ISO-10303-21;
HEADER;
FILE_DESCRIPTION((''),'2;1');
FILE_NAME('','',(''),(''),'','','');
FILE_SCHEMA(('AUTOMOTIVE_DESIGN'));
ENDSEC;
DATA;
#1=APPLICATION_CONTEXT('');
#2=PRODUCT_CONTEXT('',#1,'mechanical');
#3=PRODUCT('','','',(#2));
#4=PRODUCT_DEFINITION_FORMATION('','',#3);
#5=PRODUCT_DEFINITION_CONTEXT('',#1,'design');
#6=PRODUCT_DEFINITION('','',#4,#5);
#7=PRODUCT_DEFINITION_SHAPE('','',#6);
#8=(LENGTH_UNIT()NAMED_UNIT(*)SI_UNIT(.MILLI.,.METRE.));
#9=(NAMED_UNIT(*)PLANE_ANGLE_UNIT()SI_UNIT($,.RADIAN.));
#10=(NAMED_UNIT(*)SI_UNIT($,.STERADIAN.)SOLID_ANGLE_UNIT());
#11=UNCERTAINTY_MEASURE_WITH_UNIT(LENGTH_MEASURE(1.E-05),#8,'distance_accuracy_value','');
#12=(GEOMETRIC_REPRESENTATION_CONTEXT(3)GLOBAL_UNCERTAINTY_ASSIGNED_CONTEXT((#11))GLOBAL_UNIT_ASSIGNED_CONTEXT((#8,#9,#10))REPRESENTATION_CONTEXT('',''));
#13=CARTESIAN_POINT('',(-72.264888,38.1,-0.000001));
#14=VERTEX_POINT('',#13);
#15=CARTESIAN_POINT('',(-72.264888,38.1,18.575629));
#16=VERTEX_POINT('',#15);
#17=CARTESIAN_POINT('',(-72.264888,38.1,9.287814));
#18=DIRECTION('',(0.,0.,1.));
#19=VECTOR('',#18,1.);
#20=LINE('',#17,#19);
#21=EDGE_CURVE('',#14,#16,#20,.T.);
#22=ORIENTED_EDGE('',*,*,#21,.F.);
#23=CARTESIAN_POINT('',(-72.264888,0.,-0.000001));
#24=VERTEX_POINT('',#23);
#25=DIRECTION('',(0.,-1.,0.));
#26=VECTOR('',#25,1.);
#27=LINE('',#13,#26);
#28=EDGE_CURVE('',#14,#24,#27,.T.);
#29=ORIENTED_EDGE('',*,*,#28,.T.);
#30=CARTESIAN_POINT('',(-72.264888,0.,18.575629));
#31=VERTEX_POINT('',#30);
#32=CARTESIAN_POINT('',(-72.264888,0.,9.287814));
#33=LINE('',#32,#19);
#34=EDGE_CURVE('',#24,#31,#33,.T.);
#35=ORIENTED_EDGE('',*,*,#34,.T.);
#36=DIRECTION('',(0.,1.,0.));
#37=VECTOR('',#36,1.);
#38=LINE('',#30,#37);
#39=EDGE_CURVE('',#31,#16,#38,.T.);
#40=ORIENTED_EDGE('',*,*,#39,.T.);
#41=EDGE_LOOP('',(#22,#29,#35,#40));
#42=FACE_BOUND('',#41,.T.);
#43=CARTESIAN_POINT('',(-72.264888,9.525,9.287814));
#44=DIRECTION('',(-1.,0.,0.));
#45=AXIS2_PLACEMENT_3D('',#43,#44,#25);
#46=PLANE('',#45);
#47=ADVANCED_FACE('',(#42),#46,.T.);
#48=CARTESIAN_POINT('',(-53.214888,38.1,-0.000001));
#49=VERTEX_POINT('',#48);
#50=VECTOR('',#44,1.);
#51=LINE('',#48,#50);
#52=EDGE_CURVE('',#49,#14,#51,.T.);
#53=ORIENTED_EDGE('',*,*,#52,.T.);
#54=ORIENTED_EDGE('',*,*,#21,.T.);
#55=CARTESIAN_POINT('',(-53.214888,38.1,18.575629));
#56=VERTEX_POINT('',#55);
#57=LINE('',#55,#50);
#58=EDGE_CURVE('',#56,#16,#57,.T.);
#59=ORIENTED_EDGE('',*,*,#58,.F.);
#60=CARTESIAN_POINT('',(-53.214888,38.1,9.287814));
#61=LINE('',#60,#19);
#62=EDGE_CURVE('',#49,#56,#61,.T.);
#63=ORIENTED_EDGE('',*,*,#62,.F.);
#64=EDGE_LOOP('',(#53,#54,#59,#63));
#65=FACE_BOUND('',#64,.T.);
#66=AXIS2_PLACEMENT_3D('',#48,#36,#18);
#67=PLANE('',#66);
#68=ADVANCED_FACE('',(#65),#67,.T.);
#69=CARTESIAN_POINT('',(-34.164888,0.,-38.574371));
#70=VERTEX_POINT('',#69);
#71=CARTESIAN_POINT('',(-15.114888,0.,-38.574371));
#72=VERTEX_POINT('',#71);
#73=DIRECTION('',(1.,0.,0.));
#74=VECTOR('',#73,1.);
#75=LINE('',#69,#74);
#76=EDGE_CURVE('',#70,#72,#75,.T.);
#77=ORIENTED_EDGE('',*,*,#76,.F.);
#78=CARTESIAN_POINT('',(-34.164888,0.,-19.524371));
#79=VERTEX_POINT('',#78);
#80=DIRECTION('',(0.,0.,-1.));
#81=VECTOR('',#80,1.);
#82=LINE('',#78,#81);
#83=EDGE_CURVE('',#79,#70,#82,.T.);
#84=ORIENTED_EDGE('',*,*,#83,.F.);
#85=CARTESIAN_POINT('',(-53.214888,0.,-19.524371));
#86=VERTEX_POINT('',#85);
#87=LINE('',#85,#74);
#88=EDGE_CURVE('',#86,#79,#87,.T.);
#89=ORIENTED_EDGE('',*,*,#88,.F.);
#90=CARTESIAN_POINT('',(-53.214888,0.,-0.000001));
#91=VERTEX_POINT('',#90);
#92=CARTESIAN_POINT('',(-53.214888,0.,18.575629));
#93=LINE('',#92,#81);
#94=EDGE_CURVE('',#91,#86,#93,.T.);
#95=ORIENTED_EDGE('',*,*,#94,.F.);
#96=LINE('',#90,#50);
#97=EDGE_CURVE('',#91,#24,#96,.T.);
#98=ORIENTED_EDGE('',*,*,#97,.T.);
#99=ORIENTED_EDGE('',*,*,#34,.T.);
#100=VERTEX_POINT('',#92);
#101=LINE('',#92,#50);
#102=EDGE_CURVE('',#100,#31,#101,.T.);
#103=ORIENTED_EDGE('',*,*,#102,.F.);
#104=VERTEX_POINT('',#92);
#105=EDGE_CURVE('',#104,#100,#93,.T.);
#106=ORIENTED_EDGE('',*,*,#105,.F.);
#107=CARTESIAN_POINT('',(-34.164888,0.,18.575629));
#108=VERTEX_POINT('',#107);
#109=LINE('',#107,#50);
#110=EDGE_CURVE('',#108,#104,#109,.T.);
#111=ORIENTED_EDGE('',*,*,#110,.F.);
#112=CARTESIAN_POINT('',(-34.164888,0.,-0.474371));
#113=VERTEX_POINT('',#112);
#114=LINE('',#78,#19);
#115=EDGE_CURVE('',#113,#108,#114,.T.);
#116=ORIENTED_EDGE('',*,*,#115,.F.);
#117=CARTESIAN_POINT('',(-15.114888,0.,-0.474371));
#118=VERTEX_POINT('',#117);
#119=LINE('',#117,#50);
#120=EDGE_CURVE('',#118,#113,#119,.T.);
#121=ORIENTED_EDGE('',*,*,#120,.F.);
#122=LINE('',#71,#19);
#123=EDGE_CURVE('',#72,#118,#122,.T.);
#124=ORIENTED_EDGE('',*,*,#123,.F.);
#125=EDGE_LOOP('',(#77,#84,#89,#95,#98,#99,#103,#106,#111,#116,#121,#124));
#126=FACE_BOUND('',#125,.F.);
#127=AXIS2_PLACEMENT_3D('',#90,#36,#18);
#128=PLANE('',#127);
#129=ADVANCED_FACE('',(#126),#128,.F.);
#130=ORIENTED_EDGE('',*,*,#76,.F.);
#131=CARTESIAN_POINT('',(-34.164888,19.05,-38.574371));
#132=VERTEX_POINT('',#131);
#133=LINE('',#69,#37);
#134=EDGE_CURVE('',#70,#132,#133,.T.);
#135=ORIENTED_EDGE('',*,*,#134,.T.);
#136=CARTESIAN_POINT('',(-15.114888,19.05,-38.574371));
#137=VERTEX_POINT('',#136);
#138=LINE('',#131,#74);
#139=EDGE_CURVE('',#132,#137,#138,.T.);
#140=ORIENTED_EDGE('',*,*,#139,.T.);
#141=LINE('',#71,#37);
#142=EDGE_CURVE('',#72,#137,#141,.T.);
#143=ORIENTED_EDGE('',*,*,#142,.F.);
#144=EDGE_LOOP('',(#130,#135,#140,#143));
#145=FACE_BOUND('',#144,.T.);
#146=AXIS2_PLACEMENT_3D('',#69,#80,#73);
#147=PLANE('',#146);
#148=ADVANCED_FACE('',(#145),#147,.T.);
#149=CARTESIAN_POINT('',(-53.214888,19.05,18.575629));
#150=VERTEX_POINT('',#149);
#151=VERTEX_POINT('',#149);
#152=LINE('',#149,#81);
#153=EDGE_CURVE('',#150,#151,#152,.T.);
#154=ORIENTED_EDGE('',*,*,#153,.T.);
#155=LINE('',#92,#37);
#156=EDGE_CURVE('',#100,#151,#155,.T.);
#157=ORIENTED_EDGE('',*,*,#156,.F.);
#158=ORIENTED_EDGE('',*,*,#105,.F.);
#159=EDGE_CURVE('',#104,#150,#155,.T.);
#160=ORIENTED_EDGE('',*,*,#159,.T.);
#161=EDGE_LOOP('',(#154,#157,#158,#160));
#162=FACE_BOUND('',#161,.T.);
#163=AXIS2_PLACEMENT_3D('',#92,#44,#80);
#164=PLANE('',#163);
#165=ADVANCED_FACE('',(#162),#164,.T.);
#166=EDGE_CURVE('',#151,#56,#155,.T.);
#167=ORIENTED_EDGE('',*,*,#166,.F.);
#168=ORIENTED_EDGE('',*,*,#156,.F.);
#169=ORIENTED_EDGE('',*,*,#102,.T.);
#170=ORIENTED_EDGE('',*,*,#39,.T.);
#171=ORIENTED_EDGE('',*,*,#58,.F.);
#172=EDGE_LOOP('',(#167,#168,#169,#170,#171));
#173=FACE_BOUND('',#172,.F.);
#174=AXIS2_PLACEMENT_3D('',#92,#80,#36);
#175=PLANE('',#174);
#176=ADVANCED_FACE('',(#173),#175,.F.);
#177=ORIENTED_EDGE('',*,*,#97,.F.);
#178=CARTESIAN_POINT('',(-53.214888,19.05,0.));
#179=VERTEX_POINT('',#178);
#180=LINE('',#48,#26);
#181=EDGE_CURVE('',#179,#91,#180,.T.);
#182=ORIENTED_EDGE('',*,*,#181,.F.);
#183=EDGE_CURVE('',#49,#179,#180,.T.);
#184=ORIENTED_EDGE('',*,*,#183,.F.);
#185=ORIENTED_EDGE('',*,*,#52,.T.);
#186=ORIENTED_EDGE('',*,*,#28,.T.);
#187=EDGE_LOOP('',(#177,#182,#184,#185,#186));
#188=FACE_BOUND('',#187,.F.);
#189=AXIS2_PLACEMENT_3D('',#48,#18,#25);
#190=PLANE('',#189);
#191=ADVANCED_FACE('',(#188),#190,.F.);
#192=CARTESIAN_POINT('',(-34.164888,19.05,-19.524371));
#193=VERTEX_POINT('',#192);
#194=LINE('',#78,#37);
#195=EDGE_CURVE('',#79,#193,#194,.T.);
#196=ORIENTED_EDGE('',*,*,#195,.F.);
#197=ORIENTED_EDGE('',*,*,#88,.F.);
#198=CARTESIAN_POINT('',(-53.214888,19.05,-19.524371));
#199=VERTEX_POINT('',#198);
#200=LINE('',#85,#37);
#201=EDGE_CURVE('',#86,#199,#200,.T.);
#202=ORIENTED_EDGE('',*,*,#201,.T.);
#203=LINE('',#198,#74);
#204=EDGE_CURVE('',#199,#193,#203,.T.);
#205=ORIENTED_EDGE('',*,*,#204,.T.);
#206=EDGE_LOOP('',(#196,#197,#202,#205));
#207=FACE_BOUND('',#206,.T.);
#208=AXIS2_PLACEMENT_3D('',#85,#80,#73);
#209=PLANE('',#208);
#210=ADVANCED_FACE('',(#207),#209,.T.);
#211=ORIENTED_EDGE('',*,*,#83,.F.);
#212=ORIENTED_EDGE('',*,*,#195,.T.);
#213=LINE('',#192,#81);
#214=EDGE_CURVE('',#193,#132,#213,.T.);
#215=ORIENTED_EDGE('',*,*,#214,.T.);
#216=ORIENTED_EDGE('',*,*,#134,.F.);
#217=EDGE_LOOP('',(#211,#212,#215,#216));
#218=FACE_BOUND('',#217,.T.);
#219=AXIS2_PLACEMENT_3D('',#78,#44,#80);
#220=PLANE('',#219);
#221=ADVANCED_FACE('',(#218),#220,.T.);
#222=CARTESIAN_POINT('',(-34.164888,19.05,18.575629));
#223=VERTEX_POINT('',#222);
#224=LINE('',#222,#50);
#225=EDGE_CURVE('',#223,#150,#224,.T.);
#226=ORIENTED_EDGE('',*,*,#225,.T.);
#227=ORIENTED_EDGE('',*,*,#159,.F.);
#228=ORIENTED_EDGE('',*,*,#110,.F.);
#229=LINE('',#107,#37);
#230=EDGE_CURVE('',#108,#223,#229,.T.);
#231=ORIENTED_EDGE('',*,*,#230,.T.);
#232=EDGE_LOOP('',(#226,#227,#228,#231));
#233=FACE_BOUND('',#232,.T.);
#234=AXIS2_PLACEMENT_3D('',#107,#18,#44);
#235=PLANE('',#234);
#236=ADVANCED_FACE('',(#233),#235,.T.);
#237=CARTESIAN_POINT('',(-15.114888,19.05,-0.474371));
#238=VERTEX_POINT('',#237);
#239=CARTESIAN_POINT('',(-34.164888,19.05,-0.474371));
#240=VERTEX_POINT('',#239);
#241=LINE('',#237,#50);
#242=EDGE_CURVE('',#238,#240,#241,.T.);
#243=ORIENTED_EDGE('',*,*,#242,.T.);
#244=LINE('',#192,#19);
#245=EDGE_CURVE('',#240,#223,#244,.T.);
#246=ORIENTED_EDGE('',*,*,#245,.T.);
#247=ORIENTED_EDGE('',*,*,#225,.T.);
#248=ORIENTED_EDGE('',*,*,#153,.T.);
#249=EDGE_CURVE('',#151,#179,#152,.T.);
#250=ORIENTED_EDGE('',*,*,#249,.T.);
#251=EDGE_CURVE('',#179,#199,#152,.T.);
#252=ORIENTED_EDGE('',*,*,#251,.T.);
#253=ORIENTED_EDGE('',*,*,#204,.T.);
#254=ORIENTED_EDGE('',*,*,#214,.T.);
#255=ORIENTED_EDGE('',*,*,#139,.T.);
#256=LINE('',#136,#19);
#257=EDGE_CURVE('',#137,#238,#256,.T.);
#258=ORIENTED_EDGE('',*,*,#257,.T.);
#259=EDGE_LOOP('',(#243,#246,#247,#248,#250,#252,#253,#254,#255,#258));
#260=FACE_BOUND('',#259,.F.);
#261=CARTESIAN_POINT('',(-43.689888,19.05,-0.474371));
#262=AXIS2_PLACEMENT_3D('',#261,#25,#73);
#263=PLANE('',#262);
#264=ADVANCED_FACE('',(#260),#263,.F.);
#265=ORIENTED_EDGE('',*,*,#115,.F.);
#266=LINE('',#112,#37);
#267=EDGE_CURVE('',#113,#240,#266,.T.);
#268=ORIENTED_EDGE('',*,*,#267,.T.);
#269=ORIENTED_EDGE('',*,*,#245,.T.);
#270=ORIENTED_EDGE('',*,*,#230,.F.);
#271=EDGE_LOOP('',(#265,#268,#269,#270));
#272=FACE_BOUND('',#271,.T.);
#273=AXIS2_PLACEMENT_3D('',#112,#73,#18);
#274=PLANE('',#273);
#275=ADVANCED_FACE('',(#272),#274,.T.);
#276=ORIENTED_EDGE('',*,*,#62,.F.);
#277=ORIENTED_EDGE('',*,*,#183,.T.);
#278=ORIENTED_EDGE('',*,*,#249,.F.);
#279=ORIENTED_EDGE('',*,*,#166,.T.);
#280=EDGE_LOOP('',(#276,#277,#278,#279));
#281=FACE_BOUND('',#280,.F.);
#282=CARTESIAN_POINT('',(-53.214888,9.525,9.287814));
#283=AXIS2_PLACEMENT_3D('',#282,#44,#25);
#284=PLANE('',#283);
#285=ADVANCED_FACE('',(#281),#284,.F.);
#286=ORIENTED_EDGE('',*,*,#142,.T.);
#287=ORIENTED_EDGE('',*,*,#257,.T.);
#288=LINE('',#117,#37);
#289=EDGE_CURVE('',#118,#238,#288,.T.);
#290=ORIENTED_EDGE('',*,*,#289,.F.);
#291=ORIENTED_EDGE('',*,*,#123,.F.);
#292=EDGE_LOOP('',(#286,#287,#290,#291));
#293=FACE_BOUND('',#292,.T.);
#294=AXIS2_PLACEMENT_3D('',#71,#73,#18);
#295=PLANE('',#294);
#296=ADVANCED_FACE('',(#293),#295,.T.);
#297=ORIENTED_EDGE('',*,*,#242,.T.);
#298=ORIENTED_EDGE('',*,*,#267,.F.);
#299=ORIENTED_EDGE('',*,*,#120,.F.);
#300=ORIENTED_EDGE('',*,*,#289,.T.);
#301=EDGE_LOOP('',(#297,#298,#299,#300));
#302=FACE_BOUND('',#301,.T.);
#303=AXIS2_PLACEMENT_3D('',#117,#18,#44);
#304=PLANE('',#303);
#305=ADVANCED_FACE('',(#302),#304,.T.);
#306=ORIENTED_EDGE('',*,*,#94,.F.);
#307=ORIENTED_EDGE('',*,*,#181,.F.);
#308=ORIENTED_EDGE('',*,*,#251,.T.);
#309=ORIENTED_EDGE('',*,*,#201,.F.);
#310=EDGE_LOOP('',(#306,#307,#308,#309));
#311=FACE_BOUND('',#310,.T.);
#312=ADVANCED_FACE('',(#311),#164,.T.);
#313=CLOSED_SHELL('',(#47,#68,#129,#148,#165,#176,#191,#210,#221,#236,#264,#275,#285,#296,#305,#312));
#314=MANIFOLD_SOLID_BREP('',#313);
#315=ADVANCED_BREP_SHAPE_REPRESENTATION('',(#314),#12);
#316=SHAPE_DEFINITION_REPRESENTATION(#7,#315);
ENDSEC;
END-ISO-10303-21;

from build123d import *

# Parameters (mm, degrees)
F1_DEPTH = 19.05
F2_W     = 19.05
F2_H     = 18.575629
F3_DEPTH = 19.05


with BuildPart() as f1:
    # F0 (on Front) → F1 (new body)
    with BuildSketch(Plane.XZ):
        Polygon((-34.164888, 18.575629), (-53.214888, 18.575629), (-53.214888, -19.524371), (-34.164888, -19.524371), (-34.164888, -0.474371), align=None)
        Polygon((-15.114888, -0.474371), (-34.164888, -0.474371), (-34.164888, -19.524371), (-34.164888, -38.574371), (-15.114888, -38.574371), align=None)
    extrude(amount=-F1_DEPTH)

    # F2 (on face) → F3 (join)
    with BuildSketch(Plane(origin=(-53.214888, 0, 0), x_dir=(0, -1, 0), z_dir=(-1, 0, 0))):
        with Locations((-9.525, 9.287814)):
            Rectangle(F2_W, F2_H)
        with Locations((-28.575, 9.287814)):
            Rectangle(F2_W, F2_H)
    extrude(amount=F3_DEPTH)


solid = f1.part
